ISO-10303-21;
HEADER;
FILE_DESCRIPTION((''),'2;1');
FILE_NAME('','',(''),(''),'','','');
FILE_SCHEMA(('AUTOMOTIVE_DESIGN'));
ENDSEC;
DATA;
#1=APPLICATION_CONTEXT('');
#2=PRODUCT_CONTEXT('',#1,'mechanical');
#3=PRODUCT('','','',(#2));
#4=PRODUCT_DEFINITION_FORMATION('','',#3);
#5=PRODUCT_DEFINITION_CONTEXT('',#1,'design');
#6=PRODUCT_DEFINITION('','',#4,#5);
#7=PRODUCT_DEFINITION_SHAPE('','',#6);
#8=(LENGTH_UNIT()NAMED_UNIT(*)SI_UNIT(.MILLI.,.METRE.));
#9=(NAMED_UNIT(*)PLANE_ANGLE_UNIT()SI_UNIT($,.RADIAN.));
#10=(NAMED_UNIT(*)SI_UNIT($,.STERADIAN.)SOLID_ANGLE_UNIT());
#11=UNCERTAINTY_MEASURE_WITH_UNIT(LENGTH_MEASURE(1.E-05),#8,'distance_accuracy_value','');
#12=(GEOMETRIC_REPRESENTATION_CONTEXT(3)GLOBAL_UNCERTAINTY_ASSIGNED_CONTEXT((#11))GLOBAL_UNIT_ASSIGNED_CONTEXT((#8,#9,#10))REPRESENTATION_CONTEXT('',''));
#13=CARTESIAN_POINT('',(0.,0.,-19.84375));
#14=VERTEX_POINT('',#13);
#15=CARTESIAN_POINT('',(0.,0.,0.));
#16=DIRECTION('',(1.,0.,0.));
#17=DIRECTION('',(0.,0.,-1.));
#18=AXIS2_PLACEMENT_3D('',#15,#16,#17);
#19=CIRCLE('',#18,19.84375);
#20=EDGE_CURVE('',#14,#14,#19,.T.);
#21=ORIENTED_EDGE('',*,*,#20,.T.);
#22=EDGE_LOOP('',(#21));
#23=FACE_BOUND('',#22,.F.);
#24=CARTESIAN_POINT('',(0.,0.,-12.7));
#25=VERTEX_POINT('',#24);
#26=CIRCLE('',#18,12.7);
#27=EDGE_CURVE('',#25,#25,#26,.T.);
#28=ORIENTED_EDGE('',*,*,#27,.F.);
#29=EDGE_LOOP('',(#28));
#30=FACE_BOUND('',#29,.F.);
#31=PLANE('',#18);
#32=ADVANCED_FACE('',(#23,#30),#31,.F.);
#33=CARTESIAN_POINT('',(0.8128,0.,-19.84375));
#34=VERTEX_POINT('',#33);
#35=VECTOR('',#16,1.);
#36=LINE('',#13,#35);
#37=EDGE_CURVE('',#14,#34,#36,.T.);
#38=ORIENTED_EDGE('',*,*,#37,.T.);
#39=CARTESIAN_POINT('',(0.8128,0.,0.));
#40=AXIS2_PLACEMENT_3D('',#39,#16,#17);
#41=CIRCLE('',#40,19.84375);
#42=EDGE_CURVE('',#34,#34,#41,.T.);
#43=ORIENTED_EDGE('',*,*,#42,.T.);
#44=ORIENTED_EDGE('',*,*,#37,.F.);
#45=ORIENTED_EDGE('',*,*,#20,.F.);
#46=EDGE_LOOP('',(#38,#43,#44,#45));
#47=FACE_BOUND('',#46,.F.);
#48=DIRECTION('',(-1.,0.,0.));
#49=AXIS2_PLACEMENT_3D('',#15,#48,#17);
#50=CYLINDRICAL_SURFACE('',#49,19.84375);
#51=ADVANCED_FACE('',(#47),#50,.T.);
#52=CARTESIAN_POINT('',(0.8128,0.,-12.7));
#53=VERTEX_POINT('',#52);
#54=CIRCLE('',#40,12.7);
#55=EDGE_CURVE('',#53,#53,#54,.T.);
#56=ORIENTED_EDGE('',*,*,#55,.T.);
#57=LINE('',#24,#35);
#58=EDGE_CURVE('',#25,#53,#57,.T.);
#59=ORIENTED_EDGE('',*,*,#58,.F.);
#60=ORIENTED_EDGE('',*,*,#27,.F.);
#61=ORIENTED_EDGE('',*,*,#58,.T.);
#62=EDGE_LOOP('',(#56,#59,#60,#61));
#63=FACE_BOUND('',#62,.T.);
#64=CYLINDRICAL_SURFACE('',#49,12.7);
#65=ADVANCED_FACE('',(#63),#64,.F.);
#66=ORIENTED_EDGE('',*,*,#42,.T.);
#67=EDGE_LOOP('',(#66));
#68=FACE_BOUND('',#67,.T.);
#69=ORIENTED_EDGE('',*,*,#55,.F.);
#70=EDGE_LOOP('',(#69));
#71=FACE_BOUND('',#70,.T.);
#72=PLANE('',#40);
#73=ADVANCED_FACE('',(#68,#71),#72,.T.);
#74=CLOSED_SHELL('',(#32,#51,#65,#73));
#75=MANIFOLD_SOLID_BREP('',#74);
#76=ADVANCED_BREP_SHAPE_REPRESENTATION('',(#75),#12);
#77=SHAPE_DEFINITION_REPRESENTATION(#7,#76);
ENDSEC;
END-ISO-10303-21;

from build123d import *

# Parameters (mm, degrees)
SKETCH1_R      = 19.84375
SKETCH1_R_2    = 12.7
EXTRUDE1_DEPTH = 0.8128


with BuildPart() as part:
    # Sketch1 → Extrude1 (new body)
    with BuildSketch(Plane(origin=(0, 0, 0), x_dir=(0, 0, -1), z_dir=(1, 0, 0))):
        Circle(SKETCH1_R)
        Circle(SKETCH1_R_2, mode=Mode.SUBTRACT)
    extrude(amount=EXTRUDE1_DEPTH)


solid = part.part
